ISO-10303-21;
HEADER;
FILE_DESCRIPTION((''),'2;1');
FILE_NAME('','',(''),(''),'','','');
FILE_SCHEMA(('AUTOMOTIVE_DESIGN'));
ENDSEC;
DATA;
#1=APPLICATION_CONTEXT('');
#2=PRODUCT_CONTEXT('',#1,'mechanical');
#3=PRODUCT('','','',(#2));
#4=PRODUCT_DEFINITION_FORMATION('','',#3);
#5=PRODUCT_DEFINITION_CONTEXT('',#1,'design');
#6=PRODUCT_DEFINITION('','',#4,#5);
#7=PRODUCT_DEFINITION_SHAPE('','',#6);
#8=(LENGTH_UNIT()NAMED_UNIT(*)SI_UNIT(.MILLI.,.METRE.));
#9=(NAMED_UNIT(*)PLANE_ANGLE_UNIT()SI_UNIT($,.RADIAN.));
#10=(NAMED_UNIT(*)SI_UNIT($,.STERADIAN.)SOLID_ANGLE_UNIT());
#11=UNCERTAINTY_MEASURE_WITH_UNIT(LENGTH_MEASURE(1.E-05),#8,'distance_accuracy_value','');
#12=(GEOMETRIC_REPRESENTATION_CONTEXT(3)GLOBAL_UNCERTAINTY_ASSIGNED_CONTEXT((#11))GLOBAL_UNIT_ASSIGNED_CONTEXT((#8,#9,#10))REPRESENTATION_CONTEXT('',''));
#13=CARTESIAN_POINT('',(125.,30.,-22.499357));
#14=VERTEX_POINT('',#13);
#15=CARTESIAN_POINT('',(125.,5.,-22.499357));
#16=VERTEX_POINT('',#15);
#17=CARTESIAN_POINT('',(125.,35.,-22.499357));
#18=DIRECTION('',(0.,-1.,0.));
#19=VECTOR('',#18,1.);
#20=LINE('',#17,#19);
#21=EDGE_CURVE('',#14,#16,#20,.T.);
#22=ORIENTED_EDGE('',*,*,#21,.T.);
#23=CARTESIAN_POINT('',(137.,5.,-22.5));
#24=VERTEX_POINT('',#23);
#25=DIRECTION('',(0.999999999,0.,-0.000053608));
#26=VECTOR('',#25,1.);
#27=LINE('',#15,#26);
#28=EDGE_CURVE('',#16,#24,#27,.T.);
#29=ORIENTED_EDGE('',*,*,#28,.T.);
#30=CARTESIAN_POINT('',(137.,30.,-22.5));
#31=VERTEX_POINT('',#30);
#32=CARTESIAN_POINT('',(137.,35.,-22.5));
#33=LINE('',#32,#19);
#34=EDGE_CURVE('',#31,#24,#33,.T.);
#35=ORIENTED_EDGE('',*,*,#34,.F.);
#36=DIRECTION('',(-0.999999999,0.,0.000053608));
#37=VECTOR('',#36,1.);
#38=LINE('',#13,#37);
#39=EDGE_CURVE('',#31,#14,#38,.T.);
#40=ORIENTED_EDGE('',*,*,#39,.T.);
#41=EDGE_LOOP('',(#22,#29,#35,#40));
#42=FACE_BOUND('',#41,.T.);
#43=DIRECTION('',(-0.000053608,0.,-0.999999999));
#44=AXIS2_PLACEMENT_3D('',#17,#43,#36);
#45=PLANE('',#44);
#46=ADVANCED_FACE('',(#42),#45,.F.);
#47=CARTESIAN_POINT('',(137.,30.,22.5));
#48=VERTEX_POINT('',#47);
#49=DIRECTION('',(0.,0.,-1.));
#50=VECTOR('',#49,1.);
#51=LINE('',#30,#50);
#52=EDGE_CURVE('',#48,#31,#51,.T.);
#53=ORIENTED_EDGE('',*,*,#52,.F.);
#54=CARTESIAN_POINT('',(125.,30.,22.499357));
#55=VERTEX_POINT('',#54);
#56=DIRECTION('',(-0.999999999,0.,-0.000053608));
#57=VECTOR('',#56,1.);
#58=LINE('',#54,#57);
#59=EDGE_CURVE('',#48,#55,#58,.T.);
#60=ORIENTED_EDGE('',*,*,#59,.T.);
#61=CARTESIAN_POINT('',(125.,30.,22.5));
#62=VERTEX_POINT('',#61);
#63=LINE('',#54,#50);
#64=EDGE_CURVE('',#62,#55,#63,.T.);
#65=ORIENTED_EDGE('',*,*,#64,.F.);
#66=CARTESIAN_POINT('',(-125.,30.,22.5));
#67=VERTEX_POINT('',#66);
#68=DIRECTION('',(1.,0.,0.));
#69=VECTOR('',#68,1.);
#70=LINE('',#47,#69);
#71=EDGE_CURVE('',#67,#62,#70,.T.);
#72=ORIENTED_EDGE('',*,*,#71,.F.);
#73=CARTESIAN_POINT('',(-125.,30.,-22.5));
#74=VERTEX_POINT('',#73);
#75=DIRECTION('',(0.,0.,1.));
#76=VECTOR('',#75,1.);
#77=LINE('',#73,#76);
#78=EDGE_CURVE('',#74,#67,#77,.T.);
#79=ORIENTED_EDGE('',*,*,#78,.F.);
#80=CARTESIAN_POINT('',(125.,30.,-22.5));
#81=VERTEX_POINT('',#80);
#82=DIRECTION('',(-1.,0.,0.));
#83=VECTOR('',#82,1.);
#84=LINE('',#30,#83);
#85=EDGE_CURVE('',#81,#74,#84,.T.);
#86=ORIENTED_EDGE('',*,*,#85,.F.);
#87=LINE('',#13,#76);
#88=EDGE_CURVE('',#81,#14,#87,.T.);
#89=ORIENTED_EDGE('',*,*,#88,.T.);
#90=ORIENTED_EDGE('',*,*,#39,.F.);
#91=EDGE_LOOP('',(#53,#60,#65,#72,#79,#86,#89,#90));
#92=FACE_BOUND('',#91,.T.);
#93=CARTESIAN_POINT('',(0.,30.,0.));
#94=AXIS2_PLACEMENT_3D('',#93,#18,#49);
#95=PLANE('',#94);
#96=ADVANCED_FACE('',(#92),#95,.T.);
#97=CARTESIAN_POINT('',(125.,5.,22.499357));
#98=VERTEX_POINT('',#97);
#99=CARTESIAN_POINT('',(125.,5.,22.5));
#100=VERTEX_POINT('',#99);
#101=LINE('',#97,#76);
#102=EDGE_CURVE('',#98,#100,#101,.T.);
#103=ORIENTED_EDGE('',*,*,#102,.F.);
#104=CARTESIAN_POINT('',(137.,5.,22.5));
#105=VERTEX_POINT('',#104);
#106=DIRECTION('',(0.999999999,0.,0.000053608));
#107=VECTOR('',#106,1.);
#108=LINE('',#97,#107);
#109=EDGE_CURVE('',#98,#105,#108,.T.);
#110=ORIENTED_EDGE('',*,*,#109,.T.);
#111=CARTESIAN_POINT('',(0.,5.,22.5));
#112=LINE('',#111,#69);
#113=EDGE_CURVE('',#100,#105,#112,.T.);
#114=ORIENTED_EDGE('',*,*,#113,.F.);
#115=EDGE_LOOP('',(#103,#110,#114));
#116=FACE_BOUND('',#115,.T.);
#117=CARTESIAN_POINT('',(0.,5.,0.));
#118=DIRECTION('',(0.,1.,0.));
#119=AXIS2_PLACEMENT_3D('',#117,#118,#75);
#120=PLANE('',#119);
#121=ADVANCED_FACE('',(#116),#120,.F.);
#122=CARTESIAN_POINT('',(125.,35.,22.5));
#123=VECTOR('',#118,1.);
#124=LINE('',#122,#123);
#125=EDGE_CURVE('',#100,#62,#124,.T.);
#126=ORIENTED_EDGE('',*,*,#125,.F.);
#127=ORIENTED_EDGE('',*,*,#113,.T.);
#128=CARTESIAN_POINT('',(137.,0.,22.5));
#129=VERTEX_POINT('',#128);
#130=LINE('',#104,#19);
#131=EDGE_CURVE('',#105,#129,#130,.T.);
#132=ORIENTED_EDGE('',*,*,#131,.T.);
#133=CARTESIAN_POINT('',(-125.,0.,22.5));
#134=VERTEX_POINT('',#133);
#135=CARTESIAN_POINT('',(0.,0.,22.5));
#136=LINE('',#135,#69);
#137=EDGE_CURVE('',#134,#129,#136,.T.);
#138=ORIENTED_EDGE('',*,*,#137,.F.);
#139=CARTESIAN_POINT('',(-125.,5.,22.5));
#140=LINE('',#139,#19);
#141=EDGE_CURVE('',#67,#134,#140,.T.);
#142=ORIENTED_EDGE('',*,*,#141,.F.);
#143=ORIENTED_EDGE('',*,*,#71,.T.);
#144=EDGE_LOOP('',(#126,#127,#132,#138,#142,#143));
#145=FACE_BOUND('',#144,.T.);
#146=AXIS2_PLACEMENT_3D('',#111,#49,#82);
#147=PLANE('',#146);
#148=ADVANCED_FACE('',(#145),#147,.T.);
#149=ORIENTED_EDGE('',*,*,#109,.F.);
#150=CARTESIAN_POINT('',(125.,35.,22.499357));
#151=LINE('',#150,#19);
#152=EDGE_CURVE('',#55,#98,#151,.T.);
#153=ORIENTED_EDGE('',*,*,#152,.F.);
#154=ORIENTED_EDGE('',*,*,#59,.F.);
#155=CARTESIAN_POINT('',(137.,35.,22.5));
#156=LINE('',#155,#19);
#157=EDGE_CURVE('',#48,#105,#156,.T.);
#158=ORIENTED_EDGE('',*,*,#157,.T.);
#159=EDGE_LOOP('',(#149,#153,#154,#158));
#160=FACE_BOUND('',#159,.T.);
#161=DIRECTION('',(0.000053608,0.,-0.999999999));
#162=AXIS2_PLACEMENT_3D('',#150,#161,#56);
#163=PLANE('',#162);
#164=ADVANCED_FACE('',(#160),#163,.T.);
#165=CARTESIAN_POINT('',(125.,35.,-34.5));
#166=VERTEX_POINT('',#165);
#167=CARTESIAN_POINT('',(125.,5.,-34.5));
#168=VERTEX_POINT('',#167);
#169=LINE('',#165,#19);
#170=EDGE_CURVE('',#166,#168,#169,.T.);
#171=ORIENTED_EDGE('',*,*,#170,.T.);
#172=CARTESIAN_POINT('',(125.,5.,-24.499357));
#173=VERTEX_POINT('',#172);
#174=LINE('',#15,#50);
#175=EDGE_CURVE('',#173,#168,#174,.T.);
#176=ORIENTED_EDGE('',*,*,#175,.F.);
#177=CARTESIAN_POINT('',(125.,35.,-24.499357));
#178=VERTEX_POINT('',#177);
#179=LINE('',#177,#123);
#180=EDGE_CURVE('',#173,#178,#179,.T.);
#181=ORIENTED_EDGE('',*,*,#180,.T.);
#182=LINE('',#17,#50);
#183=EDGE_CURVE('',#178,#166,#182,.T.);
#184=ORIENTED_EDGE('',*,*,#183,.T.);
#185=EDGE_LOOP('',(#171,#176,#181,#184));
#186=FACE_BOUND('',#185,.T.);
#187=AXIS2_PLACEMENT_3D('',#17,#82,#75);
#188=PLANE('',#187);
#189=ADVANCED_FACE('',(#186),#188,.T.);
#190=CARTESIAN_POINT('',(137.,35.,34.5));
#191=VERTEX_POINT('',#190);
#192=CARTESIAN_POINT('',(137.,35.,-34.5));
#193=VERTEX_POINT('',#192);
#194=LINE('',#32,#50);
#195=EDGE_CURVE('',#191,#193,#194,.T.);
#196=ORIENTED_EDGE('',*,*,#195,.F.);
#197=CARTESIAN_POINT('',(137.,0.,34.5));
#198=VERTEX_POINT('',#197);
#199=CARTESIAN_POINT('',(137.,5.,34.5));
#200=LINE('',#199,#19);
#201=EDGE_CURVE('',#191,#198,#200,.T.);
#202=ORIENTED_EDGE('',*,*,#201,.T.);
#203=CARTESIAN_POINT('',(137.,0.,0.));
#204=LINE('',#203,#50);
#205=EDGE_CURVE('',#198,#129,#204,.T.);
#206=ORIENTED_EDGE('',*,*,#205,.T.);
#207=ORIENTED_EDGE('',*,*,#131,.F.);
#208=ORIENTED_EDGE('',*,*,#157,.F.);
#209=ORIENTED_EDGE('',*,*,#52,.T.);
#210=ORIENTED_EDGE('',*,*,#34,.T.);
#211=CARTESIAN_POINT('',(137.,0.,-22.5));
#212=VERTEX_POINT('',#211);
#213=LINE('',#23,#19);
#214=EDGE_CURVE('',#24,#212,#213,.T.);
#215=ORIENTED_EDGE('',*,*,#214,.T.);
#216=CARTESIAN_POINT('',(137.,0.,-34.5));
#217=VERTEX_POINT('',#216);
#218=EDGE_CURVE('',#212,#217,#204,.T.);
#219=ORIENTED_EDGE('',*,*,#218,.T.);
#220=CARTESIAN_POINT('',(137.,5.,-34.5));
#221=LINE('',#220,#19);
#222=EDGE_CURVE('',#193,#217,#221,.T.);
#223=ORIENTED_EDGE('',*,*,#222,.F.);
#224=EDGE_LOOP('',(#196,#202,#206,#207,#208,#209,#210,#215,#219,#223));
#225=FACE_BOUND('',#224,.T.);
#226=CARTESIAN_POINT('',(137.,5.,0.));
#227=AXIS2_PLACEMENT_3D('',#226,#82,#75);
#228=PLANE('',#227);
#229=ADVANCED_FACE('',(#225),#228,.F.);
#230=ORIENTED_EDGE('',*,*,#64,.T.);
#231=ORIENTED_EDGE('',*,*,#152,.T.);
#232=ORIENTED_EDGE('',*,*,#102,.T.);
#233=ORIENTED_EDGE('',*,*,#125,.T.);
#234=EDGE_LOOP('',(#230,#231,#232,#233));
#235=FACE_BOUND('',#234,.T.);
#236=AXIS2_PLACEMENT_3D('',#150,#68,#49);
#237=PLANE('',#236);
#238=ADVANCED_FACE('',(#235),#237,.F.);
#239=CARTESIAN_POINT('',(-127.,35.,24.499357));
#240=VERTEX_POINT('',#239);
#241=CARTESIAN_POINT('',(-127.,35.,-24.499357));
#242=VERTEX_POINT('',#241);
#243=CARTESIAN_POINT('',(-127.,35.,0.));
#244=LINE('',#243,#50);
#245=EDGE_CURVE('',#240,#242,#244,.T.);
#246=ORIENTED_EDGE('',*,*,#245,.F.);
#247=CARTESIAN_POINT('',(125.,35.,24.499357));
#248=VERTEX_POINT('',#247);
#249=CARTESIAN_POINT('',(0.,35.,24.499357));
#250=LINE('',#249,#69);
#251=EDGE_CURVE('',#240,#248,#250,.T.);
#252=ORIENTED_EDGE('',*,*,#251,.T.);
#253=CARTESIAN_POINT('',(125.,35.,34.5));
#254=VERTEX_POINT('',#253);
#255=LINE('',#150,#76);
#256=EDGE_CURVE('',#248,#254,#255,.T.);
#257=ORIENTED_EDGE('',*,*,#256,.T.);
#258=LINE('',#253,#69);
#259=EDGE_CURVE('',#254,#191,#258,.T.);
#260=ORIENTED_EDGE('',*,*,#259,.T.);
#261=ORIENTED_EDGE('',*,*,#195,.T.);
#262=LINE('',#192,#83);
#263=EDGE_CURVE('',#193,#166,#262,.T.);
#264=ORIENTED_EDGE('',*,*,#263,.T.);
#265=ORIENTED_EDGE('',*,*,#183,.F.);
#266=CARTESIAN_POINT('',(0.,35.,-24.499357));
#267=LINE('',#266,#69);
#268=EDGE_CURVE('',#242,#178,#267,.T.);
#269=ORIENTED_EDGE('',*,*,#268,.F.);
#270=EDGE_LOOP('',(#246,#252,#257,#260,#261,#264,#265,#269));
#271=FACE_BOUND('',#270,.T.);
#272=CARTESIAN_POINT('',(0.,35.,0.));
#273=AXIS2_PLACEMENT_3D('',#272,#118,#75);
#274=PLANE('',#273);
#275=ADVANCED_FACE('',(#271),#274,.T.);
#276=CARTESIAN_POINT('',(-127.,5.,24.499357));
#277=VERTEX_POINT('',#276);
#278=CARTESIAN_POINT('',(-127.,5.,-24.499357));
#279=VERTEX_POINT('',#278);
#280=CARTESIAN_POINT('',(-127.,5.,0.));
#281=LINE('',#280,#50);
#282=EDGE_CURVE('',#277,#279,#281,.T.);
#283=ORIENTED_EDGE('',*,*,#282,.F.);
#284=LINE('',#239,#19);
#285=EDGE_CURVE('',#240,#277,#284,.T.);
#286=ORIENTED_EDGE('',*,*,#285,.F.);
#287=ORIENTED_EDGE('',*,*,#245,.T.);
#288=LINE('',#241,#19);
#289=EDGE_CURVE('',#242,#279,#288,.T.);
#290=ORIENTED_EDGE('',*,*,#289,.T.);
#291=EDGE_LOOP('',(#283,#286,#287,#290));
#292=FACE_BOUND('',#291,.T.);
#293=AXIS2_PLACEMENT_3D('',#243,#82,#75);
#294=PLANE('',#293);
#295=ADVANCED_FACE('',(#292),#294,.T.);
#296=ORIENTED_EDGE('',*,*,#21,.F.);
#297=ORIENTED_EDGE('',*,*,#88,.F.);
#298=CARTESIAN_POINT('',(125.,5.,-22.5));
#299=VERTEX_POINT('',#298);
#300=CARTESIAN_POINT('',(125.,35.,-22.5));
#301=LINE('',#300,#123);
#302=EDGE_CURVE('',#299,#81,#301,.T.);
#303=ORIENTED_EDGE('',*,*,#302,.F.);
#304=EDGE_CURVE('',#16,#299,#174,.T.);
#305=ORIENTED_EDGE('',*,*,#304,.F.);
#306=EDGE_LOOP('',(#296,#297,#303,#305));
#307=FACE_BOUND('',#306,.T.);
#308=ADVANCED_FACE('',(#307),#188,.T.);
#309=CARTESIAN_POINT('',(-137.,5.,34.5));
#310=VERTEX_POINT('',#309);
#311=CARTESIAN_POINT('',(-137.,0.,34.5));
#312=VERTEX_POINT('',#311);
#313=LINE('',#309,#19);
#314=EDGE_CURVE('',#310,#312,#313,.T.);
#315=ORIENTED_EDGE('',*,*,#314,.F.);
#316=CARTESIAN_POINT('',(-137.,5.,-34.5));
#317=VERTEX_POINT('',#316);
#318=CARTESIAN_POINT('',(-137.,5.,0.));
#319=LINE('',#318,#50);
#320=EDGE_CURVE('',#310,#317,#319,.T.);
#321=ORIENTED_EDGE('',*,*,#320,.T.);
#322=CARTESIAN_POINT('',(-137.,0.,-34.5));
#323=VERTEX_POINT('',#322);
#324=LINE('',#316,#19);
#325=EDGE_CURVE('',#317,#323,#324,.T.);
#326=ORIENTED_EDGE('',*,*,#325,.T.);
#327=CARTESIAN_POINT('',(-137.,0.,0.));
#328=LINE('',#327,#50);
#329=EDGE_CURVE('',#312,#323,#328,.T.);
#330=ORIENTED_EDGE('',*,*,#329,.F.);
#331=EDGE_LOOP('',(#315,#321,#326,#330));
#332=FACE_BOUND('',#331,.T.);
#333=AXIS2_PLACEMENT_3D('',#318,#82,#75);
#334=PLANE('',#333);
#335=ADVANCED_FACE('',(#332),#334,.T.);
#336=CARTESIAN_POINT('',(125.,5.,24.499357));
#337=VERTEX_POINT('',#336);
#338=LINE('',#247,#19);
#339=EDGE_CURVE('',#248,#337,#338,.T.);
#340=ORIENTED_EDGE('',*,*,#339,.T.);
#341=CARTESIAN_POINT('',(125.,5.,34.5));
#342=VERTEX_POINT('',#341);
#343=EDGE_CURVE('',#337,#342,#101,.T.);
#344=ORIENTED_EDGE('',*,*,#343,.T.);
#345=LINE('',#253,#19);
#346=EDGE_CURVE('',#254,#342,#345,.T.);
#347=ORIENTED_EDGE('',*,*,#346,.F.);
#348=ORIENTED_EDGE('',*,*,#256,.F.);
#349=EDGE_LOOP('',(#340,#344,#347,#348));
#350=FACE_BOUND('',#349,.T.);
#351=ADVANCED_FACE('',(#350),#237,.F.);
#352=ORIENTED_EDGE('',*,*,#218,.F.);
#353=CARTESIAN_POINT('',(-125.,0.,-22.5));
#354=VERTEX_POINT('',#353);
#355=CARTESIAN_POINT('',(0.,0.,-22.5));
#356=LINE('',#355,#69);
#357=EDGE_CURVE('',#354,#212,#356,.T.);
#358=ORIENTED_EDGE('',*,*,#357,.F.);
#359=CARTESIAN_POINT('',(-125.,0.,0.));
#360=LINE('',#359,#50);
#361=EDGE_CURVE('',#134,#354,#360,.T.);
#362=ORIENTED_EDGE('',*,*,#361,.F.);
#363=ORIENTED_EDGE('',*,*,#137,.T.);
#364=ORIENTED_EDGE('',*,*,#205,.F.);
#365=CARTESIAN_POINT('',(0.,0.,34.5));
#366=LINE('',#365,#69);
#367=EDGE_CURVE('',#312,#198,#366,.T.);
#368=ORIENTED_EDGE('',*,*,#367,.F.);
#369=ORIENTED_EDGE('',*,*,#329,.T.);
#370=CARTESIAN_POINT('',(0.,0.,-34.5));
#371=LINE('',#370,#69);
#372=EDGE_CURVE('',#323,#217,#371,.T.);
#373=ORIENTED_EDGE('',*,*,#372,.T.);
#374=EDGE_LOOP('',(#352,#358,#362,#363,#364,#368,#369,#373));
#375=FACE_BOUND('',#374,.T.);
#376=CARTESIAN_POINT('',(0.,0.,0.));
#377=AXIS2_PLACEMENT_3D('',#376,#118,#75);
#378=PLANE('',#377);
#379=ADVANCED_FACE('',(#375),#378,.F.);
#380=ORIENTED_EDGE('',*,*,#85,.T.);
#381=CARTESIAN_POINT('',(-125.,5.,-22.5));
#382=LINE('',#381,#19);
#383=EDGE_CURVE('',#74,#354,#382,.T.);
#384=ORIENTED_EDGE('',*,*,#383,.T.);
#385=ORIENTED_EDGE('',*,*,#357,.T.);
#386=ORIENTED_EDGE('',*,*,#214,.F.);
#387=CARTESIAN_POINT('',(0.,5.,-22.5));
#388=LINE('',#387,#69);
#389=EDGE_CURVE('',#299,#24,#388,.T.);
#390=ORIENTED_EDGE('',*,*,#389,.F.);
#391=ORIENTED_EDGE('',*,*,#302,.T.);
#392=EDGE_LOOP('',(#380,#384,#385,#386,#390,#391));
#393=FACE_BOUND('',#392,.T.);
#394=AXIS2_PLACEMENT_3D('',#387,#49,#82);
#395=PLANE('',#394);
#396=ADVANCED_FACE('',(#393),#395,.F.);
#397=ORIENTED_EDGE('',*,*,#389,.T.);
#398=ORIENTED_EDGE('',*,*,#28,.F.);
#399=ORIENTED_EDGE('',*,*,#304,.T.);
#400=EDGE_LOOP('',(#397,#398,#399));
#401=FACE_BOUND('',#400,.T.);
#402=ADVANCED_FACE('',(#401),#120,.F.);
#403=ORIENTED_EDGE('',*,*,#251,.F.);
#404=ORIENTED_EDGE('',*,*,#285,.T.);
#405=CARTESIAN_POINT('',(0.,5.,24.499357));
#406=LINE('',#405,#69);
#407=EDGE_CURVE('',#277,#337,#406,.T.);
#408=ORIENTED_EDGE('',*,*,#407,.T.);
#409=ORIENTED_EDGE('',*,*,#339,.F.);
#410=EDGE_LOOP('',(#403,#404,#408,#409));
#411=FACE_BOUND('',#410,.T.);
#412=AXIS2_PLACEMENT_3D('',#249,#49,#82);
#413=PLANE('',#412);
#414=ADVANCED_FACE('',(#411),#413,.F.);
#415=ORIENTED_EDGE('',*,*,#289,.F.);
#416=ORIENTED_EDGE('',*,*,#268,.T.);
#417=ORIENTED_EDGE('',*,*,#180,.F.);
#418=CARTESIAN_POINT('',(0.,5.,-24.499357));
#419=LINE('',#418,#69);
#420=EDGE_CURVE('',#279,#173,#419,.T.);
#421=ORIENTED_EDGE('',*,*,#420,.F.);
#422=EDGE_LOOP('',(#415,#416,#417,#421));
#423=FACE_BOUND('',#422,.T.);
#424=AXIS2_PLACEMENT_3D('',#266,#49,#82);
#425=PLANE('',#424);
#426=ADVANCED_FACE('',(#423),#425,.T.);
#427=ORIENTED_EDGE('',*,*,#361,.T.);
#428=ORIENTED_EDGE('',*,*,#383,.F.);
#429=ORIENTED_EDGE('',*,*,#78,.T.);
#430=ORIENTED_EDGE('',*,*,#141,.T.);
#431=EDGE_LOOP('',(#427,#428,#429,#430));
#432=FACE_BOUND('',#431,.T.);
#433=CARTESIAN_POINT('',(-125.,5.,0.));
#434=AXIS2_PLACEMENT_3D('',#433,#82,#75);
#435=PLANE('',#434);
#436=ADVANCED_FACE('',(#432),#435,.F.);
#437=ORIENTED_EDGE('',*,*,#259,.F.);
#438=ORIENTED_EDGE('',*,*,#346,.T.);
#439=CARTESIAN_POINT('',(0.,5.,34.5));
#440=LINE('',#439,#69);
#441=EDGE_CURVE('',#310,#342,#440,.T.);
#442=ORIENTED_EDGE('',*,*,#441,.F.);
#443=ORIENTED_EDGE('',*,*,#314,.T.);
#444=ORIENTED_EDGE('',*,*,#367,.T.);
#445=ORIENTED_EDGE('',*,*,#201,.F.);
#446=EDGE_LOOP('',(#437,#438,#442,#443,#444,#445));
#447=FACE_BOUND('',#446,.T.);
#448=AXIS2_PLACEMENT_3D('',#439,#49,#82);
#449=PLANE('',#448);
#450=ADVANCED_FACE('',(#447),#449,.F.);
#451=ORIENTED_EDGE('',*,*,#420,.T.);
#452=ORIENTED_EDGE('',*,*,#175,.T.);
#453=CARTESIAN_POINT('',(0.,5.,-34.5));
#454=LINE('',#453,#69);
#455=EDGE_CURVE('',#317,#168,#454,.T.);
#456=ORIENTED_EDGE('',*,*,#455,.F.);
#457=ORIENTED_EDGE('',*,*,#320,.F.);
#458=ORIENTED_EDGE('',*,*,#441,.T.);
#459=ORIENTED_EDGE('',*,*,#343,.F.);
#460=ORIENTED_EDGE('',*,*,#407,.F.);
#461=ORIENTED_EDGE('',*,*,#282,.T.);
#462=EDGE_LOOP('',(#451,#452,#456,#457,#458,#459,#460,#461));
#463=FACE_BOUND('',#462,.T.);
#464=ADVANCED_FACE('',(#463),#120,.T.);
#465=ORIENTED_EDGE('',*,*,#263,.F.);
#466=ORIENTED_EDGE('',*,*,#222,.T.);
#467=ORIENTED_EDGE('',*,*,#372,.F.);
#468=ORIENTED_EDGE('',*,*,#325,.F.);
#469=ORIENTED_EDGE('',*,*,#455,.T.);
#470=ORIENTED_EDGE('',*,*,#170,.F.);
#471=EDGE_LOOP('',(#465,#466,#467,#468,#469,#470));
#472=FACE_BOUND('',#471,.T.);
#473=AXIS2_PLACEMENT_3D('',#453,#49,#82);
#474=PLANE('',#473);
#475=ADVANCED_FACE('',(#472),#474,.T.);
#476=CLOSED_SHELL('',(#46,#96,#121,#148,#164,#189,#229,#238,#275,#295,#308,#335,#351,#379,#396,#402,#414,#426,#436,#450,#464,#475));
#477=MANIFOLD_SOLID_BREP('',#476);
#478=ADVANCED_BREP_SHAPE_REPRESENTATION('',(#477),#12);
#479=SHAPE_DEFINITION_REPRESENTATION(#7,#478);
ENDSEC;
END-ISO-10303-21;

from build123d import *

# Parameters (mm, degrees)
BOSS_EXTRUDE1_DEPTH = 5
BOSS_EXTRUDE2_DEPTH = 30
SKETCH4_W           = 262
SKETCH4_H           = 45
BOSS_EXTRUDE3_DEPTH = 5


with BuildPart() as part:
    # Sketch1 → Boss-Extrude1 (new body)
    with BuildSketch(Plane(origin=(0, 0, 0), x_dir=(1, 0, 0), z_dir=(0, 1, 0))):
        Polygon((137, -22.5), (125, -22.5), (-125, -22.5), (-125, 22.5), (125, 22.5), (137, 22.5), (137, 34.5), (-137, 34.5), (-137, -34.5), (137, -34.5), align=None)
    extrude(amount=BOSS_EXTRUDE1_DEPTH)

    # Sketch2 → Boss-Extrude2 (add)
    with BuildSketch(Plane(origin=(0, 5, 0), x_dir=(1, 0, 0), z_dir=(0, 1, 0))):
        Polygon((125, 22.5), (125, 22.499356702), (137, 22.5), (137, 34.5), (125, 34.5), (125, 24.499356702), (-127, 24.499356702), (-127, -24.499356702), (125, -24.499356702), (125, -34.5), (137, -34.5), (137, -22.5), (125, -22.499356702), (125, -22.5), (-125, -22.5), (-125, 22.5), align=None)
    extrude(amount=BOSS_EXTRUDE2_DEPTH)

    # Sketch4 → Boss-Extrude3 (add)
    with BuildSketch(Plane(origin=(0, 35, 0), x_dir=(1, 0, 0), z_dir=(0, 1, 0))):
        with Locations((6, 0)):
            Rectangle(SKETCH4_W, SKETCH4_H)
    extrude(amount=-BOSS_EXTRUDE3_DEPTH)


solid = part.part
